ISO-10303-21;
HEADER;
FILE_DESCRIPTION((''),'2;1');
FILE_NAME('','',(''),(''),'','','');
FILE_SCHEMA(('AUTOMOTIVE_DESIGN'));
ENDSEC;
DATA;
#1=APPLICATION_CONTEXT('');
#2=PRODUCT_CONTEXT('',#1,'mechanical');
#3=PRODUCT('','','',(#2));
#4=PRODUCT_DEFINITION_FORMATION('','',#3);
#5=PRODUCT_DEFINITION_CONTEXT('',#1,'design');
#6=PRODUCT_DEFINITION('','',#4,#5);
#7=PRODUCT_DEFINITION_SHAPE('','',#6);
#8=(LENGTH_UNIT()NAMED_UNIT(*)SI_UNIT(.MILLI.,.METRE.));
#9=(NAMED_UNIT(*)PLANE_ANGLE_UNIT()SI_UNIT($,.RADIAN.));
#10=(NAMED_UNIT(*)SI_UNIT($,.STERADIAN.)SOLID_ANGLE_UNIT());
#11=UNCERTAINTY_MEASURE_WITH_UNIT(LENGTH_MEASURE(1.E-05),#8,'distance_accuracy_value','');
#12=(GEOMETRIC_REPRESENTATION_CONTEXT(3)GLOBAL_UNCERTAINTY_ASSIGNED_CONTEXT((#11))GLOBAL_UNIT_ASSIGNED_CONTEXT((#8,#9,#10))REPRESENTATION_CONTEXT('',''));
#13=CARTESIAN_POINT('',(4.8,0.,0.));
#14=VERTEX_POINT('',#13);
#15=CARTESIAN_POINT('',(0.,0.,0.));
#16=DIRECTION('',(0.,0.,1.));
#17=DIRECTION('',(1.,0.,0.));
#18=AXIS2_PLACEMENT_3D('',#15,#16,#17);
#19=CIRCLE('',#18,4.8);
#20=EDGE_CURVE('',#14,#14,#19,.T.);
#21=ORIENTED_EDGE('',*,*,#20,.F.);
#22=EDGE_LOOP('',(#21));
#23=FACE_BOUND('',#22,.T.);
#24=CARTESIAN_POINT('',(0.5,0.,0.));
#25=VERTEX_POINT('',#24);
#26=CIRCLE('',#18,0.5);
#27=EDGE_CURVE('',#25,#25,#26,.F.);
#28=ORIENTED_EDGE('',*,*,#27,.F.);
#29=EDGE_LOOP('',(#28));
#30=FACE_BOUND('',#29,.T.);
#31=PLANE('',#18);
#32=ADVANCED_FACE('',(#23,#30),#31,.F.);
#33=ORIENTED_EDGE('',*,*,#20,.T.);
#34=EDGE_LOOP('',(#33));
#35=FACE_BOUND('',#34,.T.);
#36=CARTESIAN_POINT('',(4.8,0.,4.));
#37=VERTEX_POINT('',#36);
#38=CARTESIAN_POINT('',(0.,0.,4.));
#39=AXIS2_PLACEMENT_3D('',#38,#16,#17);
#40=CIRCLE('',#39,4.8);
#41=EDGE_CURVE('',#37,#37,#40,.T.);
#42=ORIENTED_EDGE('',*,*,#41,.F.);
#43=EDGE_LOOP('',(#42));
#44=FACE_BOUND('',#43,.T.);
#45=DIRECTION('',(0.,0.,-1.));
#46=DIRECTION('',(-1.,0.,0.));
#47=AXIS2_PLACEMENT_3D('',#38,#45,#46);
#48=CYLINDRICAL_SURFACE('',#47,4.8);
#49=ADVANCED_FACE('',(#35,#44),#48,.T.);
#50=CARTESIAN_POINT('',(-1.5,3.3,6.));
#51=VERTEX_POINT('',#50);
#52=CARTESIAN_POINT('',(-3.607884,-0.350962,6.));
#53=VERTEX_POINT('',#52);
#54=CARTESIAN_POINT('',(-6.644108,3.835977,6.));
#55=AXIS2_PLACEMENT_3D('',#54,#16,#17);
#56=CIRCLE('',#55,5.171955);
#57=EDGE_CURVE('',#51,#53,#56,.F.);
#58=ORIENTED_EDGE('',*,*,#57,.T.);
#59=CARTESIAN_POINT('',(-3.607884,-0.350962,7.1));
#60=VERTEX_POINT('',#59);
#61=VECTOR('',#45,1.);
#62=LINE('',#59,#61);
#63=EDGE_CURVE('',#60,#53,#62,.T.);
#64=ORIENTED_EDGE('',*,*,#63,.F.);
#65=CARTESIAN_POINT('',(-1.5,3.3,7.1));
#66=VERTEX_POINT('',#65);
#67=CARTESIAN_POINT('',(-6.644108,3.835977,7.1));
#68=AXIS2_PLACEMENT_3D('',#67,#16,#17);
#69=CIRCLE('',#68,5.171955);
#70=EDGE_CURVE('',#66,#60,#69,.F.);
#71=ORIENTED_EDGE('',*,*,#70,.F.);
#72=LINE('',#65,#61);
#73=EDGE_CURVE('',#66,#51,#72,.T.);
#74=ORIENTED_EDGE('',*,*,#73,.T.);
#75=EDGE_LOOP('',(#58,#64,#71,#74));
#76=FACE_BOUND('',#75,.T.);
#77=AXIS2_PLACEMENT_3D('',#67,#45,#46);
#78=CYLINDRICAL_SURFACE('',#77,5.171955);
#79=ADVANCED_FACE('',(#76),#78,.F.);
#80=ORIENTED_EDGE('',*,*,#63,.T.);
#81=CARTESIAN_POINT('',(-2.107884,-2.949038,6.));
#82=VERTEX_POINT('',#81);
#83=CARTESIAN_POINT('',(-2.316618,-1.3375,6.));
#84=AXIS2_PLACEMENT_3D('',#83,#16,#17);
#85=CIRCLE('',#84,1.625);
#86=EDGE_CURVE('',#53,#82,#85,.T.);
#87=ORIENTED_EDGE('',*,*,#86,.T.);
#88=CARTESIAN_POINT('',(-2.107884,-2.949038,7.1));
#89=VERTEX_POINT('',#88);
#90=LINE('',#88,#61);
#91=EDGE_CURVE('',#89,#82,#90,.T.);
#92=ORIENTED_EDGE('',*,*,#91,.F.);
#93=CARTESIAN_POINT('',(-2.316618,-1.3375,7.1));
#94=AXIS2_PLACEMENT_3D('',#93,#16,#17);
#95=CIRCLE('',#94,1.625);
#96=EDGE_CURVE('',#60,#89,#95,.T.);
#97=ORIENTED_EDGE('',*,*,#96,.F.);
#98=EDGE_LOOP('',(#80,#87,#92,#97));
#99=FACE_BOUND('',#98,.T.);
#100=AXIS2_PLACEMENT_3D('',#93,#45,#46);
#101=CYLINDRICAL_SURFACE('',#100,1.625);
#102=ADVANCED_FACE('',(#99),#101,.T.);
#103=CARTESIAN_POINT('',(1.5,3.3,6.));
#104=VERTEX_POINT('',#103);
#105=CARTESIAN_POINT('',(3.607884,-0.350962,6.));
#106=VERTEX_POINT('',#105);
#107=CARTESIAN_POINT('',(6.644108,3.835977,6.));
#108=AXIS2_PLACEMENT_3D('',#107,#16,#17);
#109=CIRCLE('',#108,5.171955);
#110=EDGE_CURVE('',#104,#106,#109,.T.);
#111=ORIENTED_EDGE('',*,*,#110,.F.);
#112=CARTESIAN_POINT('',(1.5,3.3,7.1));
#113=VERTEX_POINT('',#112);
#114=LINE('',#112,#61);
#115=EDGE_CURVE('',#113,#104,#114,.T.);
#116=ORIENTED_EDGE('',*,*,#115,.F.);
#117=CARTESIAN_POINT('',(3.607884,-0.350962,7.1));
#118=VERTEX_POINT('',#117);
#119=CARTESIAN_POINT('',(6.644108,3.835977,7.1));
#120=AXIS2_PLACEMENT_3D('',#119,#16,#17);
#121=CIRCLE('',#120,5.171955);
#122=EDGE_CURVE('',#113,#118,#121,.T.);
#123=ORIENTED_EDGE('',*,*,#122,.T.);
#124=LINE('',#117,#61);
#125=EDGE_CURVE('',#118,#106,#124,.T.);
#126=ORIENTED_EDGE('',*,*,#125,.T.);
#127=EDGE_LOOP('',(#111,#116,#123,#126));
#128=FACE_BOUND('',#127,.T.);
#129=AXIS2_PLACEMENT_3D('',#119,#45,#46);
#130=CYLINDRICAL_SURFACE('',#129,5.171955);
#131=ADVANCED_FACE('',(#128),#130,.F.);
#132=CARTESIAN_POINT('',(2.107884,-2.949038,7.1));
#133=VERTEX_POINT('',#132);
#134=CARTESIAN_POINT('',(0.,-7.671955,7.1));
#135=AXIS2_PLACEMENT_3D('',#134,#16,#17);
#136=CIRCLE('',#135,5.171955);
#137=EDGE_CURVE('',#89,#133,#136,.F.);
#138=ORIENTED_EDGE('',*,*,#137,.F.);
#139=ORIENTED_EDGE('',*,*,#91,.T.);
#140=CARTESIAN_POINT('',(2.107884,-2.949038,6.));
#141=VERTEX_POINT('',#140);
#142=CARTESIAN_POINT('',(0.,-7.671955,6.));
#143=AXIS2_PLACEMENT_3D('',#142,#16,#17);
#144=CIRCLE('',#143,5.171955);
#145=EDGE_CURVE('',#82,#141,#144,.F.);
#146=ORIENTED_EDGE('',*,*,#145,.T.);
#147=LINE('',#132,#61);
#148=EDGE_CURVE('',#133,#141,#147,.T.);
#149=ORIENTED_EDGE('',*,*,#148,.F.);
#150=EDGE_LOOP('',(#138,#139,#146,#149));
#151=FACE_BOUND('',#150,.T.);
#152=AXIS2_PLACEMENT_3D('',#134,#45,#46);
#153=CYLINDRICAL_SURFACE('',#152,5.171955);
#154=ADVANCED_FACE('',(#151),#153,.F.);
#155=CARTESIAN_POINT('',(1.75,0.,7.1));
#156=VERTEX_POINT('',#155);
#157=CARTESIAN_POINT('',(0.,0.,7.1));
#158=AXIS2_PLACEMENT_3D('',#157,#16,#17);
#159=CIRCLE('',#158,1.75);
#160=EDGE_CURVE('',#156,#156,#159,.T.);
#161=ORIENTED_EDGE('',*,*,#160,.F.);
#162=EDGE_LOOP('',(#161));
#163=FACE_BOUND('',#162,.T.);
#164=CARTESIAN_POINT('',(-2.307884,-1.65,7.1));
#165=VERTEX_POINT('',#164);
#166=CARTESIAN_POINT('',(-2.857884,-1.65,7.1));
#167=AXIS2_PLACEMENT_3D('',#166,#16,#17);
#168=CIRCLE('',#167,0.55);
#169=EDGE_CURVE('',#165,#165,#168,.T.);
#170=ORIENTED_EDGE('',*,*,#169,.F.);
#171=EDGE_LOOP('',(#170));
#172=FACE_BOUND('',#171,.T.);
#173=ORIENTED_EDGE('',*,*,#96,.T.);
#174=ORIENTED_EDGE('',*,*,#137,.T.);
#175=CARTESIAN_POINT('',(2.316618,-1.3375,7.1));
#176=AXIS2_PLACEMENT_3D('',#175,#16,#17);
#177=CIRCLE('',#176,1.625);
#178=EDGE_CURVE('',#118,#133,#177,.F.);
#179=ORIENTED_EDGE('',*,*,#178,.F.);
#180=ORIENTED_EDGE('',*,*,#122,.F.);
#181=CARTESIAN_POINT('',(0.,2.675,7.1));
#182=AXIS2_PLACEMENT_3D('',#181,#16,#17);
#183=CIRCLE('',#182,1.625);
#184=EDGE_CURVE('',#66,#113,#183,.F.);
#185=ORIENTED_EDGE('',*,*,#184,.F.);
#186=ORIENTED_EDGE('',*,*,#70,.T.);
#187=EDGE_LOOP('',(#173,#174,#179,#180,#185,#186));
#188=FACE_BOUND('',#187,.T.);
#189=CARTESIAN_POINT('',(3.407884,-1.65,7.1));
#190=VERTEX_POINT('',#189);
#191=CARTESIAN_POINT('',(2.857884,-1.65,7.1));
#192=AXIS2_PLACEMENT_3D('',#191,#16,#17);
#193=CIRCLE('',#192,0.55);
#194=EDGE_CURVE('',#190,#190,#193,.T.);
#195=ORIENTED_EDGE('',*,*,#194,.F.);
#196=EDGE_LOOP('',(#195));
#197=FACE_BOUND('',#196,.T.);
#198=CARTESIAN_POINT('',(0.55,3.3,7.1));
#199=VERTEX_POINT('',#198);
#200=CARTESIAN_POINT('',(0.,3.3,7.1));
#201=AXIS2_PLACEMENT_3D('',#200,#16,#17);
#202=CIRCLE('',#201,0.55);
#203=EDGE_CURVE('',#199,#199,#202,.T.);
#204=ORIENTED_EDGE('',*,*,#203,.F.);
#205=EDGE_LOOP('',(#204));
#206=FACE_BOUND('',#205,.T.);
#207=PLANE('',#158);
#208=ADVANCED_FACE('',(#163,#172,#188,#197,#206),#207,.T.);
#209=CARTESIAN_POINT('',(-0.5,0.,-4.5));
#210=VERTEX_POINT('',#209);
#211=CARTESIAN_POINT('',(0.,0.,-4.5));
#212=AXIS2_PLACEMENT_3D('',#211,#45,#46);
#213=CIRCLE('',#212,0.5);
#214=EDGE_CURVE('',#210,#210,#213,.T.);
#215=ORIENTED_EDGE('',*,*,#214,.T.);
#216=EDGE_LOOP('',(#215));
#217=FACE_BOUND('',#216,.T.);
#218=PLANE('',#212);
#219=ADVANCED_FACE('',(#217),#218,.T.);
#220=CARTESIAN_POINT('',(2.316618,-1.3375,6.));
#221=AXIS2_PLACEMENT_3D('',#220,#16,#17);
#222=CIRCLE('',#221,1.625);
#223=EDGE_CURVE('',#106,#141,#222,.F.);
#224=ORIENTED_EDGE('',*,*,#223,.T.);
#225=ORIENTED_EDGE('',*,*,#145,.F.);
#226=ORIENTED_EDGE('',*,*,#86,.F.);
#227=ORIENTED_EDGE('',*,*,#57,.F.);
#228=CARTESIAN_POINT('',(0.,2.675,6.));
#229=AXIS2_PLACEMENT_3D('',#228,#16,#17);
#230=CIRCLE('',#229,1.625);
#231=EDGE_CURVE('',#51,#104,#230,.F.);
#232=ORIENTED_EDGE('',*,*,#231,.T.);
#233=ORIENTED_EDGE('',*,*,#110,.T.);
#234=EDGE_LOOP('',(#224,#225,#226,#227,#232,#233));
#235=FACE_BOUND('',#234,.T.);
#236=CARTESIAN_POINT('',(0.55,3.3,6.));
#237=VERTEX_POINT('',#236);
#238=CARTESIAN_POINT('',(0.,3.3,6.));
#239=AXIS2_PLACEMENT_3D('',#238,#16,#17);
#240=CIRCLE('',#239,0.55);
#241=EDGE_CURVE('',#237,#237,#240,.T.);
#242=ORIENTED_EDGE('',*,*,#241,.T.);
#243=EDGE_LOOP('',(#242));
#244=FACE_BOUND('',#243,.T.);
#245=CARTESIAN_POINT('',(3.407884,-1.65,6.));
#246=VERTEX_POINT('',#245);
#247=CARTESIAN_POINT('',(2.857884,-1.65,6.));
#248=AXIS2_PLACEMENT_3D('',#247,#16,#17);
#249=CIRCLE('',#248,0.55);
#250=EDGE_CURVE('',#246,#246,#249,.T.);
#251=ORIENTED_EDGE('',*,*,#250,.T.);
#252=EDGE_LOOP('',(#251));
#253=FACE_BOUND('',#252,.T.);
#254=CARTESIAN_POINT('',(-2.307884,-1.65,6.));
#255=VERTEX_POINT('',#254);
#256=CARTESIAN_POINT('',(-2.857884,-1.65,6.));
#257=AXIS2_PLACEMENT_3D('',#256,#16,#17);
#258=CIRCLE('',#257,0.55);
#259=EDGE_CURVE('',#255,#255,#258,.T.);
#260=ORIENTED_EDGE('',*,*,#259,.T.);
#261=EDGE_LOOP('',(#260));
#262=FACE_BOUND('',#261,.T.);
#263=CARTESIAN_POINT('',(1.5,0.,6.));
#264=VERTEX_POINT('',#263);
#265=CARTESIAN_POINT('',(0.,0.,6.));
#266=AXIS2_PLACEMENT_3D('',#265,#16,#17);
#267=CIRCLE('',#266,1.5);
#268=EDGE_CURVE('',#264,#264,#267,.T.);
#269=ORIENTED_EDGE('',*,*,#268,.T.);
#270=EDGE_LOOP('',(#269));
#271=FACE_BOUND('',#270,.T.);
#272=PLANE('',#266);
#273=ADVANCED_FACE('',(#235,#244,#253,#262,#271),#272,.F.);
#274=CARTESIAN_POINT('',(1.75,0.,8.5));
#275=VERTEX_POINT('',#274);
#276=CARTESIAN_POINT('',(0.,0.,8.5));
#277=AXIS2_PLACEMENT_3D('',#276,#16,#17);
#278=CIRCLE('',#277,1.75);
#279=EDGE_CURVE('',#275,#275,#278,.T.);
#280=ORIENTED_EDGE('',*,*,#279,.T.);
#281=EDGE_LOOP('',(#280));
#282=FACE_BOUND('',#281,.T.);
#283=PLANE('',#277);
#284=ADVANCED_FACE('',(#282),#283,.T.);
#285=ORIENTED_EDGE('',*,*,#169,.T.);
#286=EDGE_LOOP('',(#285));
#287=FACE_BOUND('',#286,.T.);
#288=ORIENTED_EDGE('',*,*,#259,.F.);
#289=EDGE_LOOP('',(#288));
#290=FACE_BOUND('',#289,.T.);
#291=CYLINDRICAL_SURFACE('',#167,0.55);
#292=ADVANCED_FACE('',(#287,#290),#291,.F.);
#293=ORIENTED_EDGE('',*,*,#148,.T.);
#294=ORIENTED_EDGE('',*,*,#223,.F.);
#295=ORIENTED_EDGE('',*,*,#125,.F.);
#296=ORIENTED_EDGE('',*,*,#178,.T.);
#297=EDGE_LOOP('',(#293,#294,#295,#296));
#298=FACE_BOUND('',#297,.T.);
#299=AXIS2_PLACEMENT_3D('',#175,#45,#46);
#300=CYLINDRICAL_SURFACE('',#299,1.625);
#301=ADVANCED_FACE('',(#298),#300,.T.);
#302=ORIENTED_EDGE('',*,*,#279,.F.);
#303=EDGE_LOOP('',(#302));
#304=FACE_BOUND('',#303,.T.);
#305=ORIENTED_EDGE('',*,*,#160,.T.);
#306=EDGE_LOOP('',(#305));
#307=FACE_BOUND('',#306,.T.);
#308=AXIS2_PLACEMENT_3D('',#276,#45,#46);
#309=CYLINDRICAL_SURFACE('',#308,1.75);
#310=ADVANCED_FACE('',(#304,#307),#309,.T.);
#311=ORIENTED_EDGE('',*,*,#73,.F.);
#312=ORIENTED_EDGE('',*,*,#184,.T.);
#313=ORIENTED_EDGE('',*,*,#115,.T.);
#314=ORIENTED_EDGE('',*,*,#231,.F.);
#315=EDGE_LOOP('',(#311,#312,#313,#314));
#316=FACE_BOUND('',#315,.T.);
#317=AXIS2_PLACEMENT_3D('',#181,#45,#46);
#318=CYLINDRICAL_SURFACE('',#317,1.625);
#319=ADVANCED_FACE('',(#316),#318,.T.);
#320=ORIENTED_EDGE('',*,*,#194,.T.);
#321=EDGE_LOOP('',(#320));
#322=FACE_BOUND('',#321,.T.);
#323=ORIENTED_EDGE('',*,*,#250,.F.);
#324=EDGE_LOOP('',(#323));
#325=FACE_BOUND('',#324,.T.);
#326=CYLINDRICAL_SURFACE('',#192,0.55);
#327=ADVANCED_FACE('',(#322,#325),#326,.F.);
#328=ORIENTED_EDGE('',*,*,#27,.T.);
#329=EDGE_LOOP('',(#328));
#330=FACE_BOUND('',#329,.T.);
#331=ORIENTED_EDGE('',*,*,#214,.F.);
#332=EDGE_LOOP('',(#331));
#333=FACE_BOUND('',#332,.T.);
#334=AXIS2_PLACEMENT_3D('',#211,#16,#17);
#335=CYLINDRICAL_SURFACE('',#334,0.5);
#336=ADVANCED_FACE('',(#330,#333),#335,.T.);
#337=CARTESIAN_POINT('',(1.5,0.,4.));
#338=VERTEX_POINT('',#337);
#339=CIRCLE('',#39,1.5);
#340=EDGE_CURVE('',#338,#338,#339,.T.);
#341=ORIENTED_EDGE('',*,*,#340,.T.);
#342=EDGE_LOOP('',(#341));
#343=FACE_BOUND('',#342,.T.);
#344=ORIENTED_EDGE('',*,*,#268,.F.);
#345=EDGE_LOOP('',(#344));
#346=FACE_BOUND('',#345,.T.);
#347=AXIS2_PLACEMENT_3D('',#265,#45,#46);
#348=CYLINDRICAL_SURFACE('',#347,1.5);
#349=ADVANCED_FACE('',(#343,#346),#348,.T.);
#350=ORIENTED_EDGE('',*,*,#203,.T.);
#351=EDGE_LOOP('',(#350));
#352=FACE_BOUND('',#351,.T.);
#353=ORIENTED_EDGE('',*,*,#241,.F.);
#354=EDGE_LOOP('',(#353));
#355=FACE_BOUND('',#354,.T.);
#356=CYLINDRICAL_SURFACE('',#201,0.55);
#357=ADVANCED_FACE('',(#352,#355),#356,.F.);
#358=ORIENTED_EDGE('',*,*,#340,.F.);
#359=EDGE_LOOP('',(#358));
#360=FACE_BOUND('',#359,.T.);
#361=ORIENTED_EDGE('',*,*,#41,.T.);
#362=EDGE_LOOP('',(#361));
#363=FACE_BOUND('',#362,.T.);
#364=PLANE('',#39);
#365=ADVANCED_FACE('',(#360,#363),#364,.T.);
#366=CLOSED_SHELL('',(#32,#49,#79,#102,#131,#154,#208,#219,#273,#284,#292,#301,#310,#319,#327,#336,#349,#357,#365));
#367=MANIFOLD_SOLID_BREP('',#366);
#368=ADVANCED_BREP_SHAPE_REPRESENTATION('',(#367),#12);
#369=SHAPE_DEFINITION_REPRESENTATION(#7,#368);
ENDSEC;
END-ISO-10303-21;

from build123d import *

# Parameters (mm, degrees)
SKETCH1_R                   = 4.8
BOSS_EXTRUDE1_DEPTH         = 4
SKETCH3_R                   = 1.5
BOSS_EXTRUDE2_DEPTH         = 2
BOSS_EXTRUDE3_DEPTH         = 1.1
M1_4X0_3_TAPPED_HOLE2_D     = 1.1
M1_4X0_3_TAPPED_HOLE2_DEPTH = 1.1
SKETCH14_R                  = 0.5
BOSS_EXTRUDE4_DEPTH         = 4.5
SKETCH15_R                  = 1.75
BOSS_EXTRUDE5_DEPTH         = 1.4


with BuildPart() as part:
    # Sketch1 → Boss-Extrude1 (new body)
    with BuildSketch(Plane.XY):
        Circle(SKETCH1_R)
    extrude(amount=BOSS_EXTRUDE1_DEPTH)

    # Sketch3 → Boss-Extrude2 (add)
    with BuildSketch(Plane.XY.offset(4)):
        Circle(SKETCH3_R)
    extrude(amount=BOSS_EXTRUDE2_DEPTH)

    # Sketch4 → Boss-Extrude3 (add)
    with BuildSketch(Plane.XY.offset(6)):
        with BuildLine():
            Line((0, 3.3), (0, 2.5))
            ThreePointArc((0, 2.5), (1.250000026, 2.165063495), (2.165063539, 1.249999948))
            ThreePointArc((2.165063539, 1.249999948), (1.724566258, 2.23997367), (1.5, 3.3))
            Line((1.5, 3.3), (0, 3.3))
        make_face()
        with BuildLine():
            Line((0, 4.3), (0, 3.3))
            Line((0, 3.3), (1.5, 3.3))
            ThreePointArc((1.5, 3.3), (0.901387819, 4.027081728), (0, 4.3))
        make_face()
        with BuildLine():
            Line((-1.5, 3.3), (0, 3.3))
            Line((0, 3.3), (0, 4.3))
            ThreePointArc((0, 4.3), (-0.901387819, 4.027081728), (-1.5, 3.3))
        make_face()
        with BuildLine():
            ThreePointArc((-2.165063492, 1.25000003), (-1.249999985, 2.165063518), (0, 2.5))
            Line((0, 2.5), (0, 3.3))
            Line((0, 3.3), (-1.5, 3.3))
            ThreePointArc((-1.5, 3.3), (-1.724566244, 2.239973715), (-2.165063492, 1.25000003))
        make_face()
        with BuildLine():
            ThreePointArc((-1.299038106, 0.75), (-0.75, 1.299038106), (0, 1.5))
            Line((0, 1.5), (0, 2.5))
            ThreePointArc((0, 2.5), (-1.249999985, 2.165063518), (-2.165063492, 1.25000003))
            ThreePointArc((-2.165063492, 1.25000003), (-2.5, 1.7e-08), (-2.165063509, -1.25))
            Line((-2.165063509, -1.25), (-1.299038106, -0.75))
            ThreePointArc((-1.299038106, -0.75), (-1.5, 0), (-1.299038106, 0.75))
        make_face()
        with BuildLine():
            Line((0, 2.5), (0, 1.5))
            ThreePointArc((0, 1.5), (0.75, 1.299038106), (1.299038106, 0.75))
            ThreePointArc((1.299038106, 0.75), (1.448888739, 0.388228568), (1.5, 0))
            ThreePointArc((1.5, 0), (1.448888739, -0.388228568), (1.299038106, -0.75))
            Line((1.299038106, -0.75), (2.165063509, -1.25))
            ThreePointArc((2.165063509, -1.25), (2.414814566, -0.647047613), (2.5, 0))
            ThreePointArc((2.5, 0), (2.414814573, 0.647047584), (2.165063539, 1.249999948))
            ThreePointArc((2.165063539, 1.249999948), (1.250000026, 2.165063495), (0, 2.5))
        make_face()
        with BuildLine():
            Line((1.299038106, 0.75), (0, 0))
            Line((0, 0), (1.299038106, -0.75))
            ThreePointArc((1.299038106, -0.75), (1.448888739, -0.388228568), (1.5, 0))
            ThreePointArc((1.5, 0), (1.448888739, 0.388228568), (1.299038106, 0.75))
        make_face()
        with BuildLine():
            Line((0, 1.5), (0, 0))
            Line((0, 0), (1.299038106, 0.75))
            ThreePointArc((1.299038106, 0.75), (0.75, 1.299038106), (0, 1.5))
        make_face()
        with BuildLine():
            Line((-1.299038106, 0.75), (0, 0))
            Line((0, 0), (0, 1.5))
            ThreePointArc((0, 1.5), (-0.75, 1.299038106), (-1.299038106, 0.75))
        make_face()
        with BuildLine():
            Line((-1.299038106, -0.75), (0, 0))
            Line((0, 0), (-1.299038106, 0.75))
            ThreePointArc((-1.299038106, 0.75), (-1.5, 0), (-1.299038106, -0.75))
        make_face()
        with BuildLine():
            Line((0, -1.5), (0, 0))
            Line((0, 0), (-1.299038106, -0.75))
            ThreePointArc((-1.299038106, -0.75), (-0.75, -1.299038106), (0, -1.5))
        make_face()
        with BuildLine():
            Line((1.299038106, -0.75), (0, 0))
            Line((0, 0), (0, -1.5))
            ThreePointArc((0, -1.5), (0.75, -1.299038106), (1.299038106, -0.75))
        make_face()
        with BuildLine():
            ThreePointArc((0, -1.5), (-0.75, -1.299038106), (-1.299038106, -0.75))
            Line((-1.299038106, -0.75), (-2.165063509, -1.25))
            ThreePointArc((-2.165063509, -1.25), (-1.25, -2.165063509), (0, -2.5))
            ThreePointArc((0, -2.5), (1.25, -2.165063509), (2.165063509, -1.25))
            Line((2.165063509, -1.25), (1.299038106, -0.75))
            ThreePointArc((1.299038106, -0.75), (0.75, -1.299038106), (0, -1.5))
        make_face()
        with BuildLine():
            ThreePointArc((2.5, 0), (2.414814566, -0.647047613), (2.165063509, -1.25))
            Line((2.165063509, -1.25), (2.857883832, -1.65))
            Line((2.857883832, -1.65), (3.607883832, -0.350961894))
            ThreePointArc((3.607883832, -0.350961894), (2.802157271, 0.373531311), (2.165063539, 1.249999948))
            ThreePointArc((2.165063539, 1.249999948), (2.414814573, 0.647047584), (2.5, 0))
        make_face()
        with BuildLine():
            Line((2.857883832, -1.65), (2.165063509, -1.25))
            ThreePointArc((2.165063509, -1.25), (1.25, -2.165063509), (0, -2.5))
            ThreePointArc((0, -2.5), (1.077591002, -2.613505032), (2.107883832, -2.949038106))
            Line((2.107883832, -2.949038106), (2.857883832, -1.65))
        make_face()
        with BuildLine():
            ThreePointArc((0, -2.5), (-1.25, -2.165063509), (-2.165063509, -1.25))
            Line((-2.165063509, -1.25), (-2.857883832, -1.65))
            Line((-2.857883832, -1.65), (-2.107883832, -2.949038106))
            ThreePointArc((-2.107883832, -2.949038106), (-1.077591002, -2.613505032), (0, -2.5))
        make_face()
        with BuildLine():
            Line((-2.857883832, -1.65), (-2.165063509, -1.25))
            ThreePointArc((-2.165063509, -1.25), (-2.5, 1.7e-08), (-2.165063492, 1.25000003))
            ThreePointArc((-2.165063492, 1.25000003), (-2.80215724, 0.373531346), (-3.607883832, -0.350961894))
            Line((-3.607883832, -0.350961894), (-2.857883832, -1.65))
        make_face()
        with BuildLine():
            Line((-3.723909236, -2.15), (-2.857883832, -1.65))
            Line((-2.857883832, -1.65), (-3.607883832, -0.350961894))
            ThreePointArc((-3.607883832, -0.350961894), (-3.938248989, -1.232916114), (-3.723909236, -2.15))
        make_face()
        with BuildLine():
            Line((-2.107883832, -2.949038106), (-2.857883832, -1.65))
            Line((-2.857883832, -1.65), (-3.723909236, -2.15))
            ThreePointArc((-3.723909236, -2.15), (-3.03686117, -2.794165614), (-2.107883832, -2.949038106))
        make_face()
        with BuildLine():
            Line((3.723909236, -2.15), (2.857883832, -1.65))
            Line((2.857883832, -1.65), (2.107883832, -2.949038106))
            ThreePointArc((2.107883832, -2.949038106), (3.03686117, -2.794165614), (3.723909236, -2.15))
        make_face()
        with BuildLine():
            Line((3.607883832, -0.350961894), (2.857883832, -1.65))
            Line((2.857883832, -1.65), (3.723909236, -2.15))
            ThreePointArc((3.723909236, -2.15), (3.938248989, -1.232916114), (3.607883832, -0.350961894))
        make_face()
    extrude(amount=BOSS_EXTRUDE3_DEPTH)

    # M1.4x0.3 Tapped Hole2
    with Locations(Plane.XY.offset(7.1)):
        with Locations((2.857884156, -1.649999841), (-2.85788391, -1.649999841), (0, 3.300000228)):
            Hole(M1_4X0_3_TAPPED_HOLE2_D / 2, depth=M1_4X0_3_TAPPED_HOLE2_DEPTH)

    # Sketch14 → Boss-Extrude4 (add)
    with BuildSketch(Plane(origin=(0, 0, 0), x_dir=(-1, 0, 0), z_dir=(0, 0, -1))):
        Circle(SKETCH14_R)
    extrude(amount=BOSS_EXTRUDE4_DEPTH)

    # Sketch15 → Boss-Extrude5 (add)
    with BuildSketch(Plane.XY.offset(7.1)):
        Circle(SKETCH15_R)
    extrude(amount=BOSS_EXTRUDE5_DEPTH)


solid = part.part
